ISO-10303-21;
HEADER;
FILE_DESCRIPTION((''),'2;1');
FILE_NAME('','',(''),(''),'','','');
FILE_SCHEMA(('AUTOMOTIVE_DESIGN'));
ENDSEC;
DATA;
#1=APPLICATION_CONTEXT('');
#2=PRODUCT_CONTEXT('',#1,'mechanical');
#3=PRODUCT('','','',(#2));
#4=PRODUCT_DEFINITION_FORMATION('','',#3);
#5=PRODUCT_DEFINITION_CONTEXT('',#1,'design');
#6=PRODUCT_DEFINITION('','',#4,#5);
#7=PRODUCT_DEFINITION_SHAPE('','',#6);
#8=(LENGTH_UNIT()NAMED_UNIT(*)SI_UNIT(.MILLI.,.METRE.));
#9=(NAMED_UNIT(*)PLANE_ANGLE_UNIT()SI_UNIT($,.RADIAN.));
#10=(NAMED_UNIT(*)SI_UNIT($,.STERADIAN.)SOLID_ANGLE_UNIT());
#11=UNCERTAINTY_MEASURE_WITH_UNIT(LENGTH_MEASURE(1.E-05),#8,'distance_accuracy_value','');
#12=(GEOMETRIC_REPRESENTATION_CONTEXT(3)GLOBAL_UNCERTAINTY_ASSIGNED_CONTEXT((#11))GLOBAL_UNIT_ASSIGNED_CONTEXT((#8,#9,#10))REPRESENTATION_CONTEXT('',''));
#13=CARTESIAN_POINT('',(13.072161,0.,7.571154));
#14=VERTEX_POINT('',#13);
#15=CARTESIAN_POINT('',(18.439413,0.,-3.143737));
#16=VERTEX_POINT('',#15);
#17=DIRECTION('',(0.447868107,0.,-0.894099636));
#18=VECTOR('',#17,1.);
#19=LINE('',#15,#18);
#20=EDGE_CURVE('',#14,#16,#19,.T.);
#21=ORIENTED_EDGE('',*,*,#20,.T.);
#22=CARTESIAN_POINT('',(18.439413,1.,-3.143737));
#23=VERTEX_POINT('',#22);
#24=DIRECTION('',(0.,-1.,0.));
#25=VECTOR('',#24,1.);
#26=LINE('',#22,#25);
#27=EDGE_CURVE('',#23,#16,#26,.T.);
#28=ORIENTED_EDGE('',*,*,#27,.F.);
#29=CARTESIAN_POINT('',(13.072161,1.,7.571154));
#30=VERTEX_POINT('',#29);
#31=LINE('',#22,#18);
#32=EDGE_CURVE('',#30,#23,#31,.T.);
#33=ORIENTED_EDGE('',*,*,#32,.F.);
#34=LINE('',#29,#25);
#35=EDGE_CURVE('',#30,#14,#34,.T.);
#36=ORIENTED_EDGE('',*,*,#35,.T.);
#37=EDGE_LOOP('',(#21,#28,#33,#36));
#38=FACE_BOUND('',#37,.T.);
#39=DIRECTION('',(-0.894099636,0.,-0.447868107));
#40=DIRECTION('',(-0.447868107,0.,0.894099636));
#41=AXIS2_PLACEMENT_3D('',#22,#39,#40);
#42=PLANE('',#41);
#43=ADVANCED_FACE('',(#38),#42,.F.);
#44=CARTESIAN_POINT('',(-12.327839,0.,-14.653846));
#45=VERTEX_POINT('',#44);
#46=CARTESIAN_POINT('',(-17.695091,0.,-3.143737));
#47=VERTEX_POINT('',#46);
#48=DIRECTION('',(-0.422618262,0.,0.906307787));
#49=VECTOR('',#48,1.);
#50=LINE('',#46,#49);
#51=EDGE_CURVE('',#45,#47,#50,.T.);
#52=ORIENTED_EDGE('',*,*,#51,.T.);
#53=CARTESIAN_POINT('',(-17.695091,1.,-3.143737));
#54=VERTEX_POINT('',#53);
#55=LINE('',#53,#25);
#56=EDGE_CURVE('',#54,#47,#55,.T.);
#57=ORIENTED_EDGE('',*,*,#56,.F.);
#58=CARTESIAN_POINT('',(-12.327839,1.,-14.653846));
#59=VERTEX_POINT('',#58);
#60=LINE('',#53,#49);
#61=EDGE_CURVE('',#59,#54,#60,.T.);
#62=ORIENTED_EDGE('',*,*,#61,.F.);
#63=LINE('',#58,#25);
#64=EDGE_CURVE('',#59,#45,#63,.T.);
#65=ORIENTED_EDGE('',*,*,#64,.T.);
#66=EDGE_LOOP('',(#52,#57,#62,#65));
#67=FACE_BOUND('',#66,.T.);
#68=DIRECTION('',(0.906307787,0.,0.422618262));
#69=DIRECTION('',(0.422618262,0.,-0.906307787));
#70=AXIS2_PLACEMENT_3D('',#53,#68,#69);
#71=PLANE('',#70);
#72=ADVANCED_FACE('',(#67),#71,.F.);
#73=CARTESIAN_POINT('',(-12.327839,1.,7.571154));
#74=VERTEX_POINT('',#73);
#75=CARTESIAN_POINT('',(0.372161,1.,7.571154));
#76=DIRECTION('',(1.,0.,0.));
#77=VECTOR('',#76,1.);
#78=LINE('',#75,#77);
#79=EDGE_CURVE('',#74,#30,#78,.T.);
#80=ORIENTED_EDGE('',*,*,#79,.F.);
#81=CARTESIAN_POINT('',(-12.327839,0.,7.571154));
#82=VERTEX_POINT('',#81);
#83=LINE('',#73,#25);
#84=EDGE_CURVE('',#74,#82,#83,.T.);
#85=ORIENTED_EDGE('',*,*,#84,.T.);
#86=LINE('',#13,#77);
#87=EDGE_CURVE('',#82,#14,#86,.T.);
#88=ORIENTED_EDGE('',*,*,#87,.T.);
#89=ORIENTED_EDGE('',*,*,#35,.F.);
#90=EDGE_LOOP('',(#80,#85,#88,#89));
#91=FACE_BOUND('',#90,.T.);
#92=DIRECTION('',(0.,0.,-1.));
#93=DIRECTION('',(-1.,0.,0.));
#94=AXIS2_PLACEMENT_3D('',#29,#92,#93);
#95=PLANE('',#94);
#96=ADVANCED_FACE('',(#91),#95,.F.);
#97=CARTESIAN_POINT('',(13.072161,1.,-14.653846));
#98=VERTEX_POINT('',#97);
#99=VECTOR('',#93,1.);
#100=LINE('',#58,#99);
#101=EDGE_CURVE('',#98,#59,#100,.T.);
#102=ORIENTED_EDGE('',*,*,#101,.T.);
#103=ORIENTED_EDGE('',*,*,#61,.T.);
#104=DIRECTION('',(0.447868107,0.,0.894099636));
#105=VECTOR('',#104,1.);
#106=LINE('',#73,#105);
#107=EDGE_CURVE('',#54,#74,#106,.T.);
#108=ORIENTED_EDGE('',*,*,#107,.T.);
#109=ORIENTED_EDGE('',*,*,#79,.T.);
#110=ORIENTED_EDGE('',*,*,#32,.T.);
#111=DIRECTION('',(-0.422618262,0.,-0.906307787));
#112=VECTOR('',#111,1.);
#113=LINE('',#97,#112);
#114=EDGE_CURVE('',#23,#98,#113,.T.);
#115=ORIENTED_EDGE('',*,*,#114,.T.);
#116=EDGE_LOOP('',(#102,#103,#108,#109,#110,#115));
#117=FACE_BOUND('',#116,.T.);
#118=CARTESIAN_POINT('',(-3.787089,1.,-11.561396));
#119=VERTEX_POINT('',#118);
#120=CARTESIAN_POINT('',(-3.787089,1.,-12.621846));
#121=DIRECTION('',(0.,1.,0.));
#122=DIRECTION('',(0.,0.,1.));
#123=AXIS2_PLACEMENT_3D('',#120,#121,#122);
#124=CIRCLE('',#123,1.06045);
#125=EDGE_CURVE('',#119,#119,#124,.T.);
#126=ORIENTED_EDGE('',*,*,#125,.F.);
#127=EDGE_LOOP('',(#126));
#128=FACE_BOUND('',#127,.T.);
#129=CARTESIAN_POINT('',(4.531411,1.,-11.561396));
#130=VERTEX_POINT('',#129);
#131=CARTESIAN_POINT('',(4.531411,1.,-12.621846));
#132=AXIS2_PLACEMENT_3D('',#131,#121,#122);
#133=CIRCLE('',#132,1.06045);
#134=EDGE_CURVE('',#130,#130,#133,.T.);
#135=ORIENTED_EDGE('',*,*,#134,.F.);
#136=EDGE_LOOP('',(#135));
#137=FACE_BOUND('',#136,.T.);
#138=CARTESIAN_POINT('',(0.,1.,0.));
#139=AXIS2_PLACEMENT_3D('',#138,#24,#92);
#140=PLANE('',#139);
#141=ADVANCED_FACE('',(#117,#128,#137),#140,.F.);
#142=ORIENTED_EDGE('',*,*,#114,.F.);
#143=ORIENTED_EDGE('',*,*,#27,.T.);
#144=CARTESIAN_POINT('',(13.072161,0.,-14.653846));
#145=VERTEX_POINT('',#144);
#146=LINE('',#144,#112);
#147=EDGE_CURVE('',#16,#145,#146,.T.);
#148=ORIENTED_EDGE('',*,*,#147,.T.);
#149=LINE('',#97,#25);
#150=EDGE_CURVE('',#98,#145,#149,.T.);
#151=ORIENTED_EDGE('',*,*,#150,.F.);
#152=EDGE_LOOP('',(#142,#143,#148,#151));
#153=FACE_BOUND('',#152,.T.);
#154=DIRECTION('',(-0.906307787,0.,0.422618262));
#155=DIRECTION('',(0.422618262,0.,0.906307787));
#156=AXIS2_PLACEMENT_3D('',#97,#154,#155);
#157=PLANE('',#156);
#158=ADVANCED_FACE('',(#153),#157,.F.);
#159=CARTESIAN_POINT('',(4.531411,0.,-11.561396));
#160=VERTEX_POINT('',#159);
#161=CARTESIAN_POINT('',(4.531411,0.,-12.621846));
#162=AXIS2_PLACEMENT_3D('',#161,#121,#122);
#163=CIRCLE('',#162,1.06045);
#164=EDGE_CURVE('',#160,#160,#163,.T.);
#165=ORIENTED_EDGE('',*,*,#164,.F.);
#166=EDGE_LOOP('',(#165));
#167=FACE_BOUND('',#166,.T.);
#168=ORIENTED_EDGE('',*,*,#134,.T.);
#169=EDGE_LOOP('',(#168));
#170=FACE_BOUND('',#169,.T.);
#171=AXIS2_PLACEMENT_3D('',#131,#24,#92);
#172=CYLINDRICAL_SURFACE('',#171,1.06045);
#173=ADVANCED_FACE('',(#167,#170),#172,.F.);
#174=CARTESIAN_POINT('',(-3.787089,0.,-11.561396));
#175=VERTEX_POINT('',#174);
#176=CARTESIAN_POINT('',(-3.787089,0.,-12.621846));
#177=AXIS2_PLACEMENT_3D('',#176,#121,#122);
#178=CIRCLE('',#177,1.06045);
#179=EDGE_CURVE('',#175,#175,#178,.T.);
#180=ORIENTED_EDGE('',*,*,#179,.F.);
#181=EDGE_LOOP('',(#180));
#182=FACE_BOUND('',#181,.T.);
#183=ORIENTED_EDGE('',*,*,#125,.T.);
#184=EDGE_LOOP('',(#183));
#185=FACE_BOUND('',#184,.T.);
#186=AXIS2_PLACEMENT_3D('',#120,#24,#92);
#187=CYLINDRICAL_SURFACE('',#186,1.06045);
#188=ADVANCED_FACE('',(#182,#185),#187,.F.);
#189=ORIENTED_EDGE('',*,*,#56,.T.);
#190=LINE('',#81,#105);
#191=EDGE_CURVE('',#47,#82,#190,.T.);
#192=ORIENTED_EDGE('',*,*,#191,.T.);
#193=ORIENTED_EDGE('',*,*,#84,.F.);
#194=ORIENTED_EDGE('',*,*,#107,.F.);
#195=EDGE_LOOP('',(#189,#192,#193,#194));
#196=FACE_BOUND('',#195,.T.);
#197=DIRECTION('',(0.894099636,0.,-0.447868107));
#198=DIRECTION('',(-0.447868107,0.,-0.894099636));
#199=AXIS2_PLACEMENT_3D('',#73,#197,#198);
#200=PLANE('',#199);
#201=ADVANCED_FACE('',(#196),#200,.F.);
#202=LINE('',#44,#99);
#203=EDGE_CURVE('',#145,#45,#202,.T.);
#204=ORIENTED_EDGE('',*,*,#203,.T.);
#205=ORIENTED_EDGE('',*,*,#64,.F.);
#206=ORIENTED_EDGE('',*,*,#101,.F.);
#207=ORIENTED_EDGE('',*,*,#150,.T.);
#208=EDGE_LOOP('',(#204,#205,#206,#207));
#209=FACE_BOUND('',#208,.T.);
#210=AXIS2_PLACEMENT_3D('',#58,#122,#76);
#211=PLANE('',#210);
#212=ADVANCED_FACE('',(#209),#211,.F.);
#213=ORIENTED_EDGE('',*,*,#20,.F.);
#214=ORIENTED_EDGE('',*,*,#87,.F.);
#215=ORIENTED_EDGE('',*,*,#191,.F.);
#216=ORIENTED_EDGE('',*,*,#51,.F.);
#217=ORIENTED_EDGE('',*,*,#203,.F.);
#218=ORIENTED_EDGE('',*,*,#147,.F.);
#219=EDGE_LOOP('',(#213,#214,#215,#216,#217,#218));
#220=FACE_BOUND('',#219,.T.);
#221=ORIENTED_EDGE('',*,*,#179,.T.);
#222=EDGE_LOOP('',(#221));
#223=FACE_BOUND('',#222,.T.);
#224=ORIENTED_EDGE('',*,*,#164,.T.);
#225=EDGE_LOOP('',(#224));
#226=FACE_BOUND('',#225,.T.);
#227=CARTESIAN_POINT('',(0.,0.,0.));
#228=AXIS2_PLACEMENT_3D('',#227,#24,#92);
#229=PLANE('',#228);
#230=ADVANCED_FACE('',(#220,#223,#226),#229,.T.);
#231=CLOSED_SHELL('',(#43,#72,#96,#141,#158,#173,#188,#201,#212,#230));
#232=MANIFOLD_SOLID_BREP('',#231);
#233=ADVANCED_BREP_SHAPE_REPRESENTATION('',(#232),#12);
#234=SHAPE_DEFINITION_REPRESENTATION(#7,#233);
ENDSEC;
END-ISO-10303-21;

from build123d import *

# Parameters (mm, degrees)
SKETCH1_R           = 1.06045
BOSS_EXTRUDE1_DEPTH = 1


with BuildPart() as part:
    # Sketch1 → Boss-Extrude1 (new body)
    with BuildSketch(Plane(origin=(0, 0, 0), x_dir=(1, 0, 0), z_dir=(0, 1, 0))):
        Polygon((-12.327838828, 14.653846154), (13.072161172, 14.653846154), (18.439413096, 3.143737258), (13.072161172, -7.571153846), (0.372161172, -7.571153846), (-12.327838828, -7.571153846), (-17.695090752, 3.143737258), align=None)
        with Locations(Location((-3.787088828, 12.621846154, 0), (0, 0, 270))):
            Circle(SKETCH1_R, mode=Mode.SUBTRACT)
        with Locations(Location((4.531411172, 12.621846154, 0), (0, 0, 270))):
            Circle(SKETCH1_R, mode=Mode.SUBTRACT)
    extrude(amount=BOSS_EXTRUDE1_DEPTH)


solid = part.part
